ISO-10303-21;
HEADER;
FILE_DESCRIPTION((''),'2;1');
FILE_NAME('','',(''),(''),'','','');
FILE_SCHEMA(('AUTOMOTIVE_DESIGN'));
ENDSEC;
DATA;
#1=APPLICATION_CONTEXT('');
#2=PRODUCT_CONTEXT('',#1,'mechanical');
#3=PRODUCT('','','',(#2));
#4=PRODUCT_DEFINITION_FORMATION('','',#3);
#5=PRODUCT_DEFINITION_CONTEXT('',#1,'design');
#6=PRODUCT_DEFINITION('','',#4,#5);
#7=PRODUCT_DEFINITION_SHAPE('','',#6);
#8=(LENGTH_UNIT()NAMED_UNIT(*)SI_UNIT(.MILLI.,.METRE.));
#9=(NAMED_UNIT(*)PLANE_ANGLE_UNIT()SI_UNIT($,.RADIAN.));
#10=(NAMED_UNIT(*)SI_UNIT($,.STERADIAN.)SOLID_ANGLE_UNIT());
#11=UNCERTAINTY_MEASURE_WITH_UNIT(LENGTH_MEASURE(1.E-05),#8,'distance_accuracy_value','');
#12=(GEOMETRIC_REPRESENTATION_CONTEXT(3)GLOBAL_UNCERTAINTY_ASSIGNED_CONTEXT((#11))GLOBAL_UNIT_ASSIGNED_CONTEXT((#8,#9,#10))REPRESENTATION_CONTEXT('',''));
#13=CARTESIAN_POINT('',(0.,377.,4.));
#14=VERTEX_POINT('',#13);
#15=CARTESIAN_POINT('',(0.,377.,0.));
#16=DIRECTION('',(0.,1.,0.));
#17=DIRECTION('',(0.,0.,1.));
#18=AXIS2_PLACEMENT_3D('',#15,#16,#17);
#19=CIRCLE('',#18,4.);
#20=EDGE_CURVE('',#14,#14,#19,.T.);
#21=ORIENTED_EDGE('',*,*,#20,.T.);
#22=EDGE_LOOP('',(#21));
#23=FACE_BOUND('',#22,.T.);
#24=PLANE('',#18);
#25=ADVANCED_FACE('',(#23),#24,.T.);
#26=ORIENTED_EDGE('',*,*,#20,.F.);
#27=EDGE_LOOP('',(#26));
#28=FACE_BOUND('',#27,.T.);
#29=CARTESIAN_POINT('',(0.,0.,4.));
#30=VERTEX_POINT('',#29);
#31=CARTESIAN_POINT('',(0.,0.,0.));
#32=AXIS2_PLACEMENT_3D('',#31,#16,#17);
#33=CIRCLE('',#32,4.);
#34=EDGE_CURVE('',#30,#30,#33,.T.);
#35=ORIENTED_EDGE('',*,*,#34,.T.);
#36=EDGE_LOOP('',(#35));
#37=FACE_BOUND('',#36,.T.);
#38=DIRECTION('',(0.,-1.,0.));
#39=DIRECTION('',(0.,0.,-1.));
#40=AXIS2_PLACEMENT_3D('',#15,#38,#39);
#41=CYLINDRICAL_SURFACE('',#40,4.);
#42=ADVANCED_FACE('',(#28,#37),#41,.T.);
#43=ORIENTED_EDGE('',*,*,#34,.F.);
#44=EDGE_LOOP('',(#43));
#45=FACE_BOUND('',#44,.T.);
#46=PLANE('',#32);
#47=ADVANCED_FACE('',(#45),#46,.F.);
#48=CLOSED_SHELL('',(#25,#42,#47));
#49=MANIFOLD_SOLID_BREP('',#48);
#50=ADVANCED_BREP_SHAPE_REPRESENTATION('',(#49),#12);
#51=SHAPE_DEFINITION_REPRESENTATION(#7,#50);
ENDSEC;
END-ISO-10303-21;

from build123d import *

# Parameters (mm, degrees)
SKETCH1_R           = 4
BOSS_EXTRUDE1_DEPTH = 377


with BuildPart() as part:
    # Sketch1 → Boss-Extrude1 (new body)
    with BuildSketch(Plane(origin=(0, 0, 0), x_dir=(1, 0, 0), z_dir=(0, 1, 0))):
        with Locations(Location((0, 0, 0), (0, 0, 270))):
            Circle(SKETCH1_R)
    extrude(amount=BOSS_EXTRUDE1_DEPTH)


solid = part.part
